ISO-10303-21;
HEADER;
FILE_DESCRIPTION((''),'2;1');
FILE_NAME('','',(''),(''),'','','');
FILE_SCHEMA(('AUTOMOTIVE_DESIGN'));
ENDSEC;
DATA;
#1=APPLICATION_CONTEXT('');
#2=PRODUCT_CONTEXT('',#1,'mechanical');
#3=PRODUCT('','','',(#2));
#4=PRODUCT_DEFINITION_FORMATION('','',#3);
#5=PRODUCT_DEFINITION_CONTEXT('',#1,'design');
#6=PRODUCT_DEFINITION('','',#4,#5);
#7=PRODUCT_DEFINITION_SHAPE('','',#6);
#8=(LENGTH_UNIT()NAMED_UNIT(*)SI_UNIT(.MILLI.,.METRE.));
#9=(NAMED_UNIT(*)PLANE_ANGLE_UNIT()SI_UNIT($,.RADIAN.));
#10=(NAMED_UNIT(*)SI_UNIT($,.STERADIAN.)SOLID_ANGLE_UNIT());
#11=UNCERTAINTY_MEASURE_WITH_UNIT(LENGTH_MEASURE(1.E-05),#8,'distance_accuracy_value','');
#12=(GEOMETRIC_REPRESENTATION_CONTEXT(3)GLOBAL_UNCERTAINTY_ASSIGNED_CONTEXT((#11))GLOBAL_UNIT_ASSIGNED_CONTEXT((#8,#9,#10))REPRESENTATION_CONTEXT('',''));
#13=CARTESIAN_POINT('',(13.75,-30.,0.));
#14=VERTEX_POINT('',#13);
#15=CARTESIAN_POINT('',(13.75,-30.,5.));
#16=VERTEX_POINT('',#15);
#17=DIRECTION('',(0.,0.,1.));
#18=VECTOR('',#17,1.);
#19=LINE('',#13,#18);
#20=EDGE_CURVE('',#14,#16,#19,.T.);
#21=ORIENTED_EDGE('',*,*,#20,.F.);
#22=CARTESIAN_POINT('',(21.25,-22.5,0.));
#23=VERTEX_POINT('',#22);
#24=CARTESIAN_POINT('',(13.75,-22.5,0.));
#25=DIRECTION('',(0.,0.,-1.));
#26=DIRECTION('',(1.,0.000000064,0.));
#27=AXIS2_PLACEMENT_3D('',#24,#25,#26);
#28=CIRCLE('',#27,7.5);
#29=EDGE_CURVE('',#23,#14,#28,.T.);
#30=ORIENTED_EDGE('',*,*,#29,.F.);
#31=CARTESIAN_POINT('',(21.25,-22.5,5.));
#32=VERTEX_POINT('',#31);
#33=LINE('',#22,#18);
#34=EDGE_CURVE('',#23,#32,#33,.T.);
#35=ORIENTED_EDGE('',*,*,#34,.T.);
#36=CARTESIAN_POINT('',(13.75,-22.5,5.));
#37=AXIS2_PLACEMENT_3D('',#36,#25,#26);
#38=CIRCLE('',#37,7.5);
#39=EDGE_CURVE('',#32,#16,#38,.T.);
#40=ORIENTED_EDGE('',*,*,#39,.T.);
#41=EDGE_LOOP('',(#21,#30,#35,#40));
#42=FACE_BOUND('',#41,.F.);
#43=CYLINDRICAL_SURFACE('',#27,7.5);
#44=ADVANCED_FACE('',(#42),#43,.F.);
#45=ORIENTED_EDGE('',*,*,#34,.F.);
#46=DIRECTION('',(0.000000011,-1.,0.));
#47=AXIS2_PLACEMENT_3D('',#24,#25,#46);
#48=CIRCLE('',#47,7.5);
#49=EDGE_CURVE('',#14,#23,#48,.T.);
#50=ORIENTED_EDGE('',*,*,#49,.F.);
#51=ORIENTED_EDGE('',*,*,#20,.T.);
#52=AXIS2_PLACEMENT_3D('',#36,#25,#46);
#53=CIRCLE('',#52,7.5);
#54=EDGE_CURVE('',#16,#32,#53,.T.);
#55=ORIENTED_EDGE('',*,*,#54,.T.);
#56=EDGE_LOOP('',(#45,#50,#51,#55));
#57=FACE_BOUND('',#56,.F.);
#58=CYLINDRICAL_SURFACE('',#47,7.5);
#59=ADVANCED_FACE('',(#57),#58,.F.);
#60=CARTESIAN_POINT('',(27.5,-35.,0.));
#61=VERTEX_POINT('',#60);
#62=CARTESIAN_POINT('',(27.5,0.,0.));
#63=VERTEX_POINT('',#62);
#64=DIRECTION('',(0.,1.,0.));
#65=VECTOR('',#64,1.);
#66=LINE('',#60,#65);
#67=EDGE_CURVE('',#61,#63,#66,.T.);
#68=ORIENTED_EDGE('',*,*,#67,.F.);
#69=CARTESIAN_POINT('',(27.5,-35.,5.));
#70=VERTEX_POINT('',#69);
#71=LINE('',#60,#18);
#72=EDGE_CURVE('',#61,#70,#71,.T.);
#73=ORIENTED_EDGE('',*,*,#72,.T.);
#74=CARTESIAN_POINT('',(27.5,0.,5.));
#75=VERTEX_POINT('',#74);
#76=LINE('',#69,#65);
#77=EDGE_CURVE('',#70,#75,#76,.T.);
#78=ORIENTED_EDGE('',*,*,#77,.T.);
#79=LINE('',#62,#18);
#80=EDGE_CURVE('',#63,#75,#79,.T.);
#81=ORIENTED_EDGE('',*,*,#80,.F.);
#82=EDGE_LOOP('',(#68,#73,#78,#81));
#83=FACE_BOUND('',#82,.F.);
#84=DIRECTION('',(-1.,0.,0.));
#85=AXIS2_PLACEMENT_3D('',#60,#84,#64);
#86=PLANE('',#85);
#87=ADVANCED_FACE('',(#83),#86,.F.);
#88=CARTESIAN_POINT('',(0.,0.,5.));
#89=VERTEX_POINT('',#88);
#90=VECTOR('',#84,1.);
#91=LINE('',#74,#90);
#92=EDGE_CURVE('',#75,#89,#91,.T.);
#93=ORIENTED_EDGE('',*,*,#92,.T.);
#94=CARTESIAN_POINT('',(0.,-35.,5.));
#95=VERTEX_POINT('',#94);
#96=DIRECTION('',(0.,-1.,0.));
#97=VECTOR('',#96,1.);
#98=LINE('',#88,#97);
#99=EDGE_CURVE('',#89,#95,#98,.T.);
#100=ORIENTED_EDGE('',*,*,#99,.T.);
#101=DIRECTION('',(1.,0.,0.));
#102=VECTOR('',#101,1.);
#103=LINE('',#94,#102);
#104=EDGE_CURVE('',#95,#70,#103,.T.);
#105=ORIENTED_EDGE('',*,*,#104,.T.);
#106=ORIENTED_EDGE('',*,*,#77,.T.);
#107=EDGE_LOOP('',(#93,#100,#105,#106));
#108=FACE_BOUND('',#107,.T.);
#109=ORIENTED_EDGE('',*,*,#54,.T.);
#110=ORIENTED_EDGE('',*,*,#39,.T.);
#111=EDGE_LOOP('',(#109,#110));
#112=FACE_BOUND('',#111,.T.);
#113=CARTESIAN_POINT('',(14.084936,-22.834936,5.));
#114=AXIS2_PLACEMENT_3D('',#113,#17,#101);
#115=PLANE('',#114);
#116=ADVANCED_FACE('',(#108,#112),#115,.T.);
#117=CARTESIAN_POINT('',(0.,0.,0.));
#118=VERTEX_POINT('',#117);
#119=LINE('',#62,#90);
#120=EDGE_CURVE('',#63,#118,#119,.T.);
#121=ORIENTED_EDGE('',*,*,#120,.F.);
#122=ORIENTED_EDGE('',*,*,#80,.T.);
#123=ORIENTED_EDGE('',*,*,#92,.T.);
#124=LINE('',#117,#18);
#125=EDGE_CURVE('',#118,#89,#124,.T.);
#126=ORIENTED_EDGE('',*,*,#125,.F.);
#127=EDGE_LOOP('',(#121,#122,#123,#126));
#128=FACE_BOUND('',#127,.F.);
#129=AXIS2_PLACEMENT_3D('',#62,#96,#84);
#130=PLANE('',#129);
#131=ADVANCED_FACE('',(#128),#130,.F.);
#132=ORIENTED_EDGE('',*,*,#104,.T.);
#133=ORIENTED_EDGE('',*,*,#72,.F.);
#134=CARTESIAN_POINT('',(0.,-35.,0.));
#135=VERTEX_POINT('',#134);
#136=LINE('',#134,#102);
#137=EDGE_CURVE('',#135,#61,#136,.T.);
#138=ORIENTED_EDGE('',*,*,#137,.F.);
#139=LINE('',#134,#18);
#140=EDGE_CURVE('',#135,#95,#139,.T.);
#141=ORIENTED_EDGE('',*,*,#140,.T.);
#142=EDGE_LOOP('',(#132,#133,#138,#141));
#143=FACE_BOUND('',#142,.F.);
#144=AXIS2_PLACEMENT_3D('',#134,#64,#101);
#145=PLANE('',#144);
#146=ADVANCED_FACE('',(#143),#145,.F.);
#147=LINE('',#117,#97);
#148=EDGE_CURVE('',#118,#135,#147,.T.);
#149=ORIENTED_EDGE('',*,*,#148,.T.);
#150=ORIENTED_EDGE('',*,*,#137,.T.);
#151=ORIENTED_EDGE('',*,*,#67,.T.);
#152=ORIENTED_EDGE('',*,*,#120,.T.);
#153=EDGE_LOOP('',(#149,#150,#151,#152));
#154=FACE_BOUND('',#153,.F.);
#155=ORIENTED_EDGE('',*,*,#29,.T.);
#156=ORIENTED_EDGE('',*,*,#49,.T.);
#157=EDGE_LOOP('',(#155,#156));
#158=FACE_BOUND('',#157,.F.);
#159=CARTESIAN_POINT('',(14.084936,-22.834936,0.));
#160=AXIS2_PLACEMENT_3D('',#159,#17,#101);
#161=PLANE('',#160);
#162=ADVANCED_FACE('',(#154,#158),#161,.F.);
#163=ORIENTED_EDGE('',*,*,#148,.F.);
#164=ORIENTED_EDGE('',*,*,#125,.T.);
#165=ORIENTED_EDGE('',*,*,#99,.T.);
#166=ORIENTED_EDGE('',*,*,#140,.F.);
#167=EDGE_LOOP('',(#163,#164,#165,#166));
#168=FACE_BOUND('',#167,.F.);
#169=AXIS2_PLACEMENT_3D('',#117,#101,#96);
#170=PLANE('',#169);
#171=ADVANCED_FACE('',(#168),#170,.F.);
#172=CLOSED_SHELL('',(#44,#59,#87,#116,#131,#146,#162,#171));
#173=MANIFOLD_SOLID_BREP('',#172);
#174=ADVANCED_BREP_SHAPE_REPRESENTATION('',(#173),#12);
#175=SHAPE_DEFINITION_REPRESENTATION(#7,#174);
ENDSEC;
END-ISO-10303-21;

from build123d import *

# Parameters (mm, degrees)
F1_DEPTH = 5


with BuildPart() as f1:
    # F0 (on Top) → F1 (new body)
    with BuildSketch(Plane.XY):
        with BuildLine():
            ThreePointArc((21.25, -22.5), (8.446699, -17.196699), (13.75, -30))
            ThreePointArc((13.75, -30), (19.053301, -27.803301), (21.25, -22.5))
        make_face()
        Polygon((27.5, 0), (0, 0), (0, -35), (13.75, -35), (27.5, -35), align=None)
        with BuildLine():
            ThreePointArc((21.25, -22.5), (19.053301, -27.803301), (13.75, -30))
            ThreePointArc((13.75, -30), (8.446699, -17.196699), (21.25, -22.5))
        make_face(mode=Mode.SUBTRACT)
    extrude(amount=F1_DEPTH)


solid = f1.part
